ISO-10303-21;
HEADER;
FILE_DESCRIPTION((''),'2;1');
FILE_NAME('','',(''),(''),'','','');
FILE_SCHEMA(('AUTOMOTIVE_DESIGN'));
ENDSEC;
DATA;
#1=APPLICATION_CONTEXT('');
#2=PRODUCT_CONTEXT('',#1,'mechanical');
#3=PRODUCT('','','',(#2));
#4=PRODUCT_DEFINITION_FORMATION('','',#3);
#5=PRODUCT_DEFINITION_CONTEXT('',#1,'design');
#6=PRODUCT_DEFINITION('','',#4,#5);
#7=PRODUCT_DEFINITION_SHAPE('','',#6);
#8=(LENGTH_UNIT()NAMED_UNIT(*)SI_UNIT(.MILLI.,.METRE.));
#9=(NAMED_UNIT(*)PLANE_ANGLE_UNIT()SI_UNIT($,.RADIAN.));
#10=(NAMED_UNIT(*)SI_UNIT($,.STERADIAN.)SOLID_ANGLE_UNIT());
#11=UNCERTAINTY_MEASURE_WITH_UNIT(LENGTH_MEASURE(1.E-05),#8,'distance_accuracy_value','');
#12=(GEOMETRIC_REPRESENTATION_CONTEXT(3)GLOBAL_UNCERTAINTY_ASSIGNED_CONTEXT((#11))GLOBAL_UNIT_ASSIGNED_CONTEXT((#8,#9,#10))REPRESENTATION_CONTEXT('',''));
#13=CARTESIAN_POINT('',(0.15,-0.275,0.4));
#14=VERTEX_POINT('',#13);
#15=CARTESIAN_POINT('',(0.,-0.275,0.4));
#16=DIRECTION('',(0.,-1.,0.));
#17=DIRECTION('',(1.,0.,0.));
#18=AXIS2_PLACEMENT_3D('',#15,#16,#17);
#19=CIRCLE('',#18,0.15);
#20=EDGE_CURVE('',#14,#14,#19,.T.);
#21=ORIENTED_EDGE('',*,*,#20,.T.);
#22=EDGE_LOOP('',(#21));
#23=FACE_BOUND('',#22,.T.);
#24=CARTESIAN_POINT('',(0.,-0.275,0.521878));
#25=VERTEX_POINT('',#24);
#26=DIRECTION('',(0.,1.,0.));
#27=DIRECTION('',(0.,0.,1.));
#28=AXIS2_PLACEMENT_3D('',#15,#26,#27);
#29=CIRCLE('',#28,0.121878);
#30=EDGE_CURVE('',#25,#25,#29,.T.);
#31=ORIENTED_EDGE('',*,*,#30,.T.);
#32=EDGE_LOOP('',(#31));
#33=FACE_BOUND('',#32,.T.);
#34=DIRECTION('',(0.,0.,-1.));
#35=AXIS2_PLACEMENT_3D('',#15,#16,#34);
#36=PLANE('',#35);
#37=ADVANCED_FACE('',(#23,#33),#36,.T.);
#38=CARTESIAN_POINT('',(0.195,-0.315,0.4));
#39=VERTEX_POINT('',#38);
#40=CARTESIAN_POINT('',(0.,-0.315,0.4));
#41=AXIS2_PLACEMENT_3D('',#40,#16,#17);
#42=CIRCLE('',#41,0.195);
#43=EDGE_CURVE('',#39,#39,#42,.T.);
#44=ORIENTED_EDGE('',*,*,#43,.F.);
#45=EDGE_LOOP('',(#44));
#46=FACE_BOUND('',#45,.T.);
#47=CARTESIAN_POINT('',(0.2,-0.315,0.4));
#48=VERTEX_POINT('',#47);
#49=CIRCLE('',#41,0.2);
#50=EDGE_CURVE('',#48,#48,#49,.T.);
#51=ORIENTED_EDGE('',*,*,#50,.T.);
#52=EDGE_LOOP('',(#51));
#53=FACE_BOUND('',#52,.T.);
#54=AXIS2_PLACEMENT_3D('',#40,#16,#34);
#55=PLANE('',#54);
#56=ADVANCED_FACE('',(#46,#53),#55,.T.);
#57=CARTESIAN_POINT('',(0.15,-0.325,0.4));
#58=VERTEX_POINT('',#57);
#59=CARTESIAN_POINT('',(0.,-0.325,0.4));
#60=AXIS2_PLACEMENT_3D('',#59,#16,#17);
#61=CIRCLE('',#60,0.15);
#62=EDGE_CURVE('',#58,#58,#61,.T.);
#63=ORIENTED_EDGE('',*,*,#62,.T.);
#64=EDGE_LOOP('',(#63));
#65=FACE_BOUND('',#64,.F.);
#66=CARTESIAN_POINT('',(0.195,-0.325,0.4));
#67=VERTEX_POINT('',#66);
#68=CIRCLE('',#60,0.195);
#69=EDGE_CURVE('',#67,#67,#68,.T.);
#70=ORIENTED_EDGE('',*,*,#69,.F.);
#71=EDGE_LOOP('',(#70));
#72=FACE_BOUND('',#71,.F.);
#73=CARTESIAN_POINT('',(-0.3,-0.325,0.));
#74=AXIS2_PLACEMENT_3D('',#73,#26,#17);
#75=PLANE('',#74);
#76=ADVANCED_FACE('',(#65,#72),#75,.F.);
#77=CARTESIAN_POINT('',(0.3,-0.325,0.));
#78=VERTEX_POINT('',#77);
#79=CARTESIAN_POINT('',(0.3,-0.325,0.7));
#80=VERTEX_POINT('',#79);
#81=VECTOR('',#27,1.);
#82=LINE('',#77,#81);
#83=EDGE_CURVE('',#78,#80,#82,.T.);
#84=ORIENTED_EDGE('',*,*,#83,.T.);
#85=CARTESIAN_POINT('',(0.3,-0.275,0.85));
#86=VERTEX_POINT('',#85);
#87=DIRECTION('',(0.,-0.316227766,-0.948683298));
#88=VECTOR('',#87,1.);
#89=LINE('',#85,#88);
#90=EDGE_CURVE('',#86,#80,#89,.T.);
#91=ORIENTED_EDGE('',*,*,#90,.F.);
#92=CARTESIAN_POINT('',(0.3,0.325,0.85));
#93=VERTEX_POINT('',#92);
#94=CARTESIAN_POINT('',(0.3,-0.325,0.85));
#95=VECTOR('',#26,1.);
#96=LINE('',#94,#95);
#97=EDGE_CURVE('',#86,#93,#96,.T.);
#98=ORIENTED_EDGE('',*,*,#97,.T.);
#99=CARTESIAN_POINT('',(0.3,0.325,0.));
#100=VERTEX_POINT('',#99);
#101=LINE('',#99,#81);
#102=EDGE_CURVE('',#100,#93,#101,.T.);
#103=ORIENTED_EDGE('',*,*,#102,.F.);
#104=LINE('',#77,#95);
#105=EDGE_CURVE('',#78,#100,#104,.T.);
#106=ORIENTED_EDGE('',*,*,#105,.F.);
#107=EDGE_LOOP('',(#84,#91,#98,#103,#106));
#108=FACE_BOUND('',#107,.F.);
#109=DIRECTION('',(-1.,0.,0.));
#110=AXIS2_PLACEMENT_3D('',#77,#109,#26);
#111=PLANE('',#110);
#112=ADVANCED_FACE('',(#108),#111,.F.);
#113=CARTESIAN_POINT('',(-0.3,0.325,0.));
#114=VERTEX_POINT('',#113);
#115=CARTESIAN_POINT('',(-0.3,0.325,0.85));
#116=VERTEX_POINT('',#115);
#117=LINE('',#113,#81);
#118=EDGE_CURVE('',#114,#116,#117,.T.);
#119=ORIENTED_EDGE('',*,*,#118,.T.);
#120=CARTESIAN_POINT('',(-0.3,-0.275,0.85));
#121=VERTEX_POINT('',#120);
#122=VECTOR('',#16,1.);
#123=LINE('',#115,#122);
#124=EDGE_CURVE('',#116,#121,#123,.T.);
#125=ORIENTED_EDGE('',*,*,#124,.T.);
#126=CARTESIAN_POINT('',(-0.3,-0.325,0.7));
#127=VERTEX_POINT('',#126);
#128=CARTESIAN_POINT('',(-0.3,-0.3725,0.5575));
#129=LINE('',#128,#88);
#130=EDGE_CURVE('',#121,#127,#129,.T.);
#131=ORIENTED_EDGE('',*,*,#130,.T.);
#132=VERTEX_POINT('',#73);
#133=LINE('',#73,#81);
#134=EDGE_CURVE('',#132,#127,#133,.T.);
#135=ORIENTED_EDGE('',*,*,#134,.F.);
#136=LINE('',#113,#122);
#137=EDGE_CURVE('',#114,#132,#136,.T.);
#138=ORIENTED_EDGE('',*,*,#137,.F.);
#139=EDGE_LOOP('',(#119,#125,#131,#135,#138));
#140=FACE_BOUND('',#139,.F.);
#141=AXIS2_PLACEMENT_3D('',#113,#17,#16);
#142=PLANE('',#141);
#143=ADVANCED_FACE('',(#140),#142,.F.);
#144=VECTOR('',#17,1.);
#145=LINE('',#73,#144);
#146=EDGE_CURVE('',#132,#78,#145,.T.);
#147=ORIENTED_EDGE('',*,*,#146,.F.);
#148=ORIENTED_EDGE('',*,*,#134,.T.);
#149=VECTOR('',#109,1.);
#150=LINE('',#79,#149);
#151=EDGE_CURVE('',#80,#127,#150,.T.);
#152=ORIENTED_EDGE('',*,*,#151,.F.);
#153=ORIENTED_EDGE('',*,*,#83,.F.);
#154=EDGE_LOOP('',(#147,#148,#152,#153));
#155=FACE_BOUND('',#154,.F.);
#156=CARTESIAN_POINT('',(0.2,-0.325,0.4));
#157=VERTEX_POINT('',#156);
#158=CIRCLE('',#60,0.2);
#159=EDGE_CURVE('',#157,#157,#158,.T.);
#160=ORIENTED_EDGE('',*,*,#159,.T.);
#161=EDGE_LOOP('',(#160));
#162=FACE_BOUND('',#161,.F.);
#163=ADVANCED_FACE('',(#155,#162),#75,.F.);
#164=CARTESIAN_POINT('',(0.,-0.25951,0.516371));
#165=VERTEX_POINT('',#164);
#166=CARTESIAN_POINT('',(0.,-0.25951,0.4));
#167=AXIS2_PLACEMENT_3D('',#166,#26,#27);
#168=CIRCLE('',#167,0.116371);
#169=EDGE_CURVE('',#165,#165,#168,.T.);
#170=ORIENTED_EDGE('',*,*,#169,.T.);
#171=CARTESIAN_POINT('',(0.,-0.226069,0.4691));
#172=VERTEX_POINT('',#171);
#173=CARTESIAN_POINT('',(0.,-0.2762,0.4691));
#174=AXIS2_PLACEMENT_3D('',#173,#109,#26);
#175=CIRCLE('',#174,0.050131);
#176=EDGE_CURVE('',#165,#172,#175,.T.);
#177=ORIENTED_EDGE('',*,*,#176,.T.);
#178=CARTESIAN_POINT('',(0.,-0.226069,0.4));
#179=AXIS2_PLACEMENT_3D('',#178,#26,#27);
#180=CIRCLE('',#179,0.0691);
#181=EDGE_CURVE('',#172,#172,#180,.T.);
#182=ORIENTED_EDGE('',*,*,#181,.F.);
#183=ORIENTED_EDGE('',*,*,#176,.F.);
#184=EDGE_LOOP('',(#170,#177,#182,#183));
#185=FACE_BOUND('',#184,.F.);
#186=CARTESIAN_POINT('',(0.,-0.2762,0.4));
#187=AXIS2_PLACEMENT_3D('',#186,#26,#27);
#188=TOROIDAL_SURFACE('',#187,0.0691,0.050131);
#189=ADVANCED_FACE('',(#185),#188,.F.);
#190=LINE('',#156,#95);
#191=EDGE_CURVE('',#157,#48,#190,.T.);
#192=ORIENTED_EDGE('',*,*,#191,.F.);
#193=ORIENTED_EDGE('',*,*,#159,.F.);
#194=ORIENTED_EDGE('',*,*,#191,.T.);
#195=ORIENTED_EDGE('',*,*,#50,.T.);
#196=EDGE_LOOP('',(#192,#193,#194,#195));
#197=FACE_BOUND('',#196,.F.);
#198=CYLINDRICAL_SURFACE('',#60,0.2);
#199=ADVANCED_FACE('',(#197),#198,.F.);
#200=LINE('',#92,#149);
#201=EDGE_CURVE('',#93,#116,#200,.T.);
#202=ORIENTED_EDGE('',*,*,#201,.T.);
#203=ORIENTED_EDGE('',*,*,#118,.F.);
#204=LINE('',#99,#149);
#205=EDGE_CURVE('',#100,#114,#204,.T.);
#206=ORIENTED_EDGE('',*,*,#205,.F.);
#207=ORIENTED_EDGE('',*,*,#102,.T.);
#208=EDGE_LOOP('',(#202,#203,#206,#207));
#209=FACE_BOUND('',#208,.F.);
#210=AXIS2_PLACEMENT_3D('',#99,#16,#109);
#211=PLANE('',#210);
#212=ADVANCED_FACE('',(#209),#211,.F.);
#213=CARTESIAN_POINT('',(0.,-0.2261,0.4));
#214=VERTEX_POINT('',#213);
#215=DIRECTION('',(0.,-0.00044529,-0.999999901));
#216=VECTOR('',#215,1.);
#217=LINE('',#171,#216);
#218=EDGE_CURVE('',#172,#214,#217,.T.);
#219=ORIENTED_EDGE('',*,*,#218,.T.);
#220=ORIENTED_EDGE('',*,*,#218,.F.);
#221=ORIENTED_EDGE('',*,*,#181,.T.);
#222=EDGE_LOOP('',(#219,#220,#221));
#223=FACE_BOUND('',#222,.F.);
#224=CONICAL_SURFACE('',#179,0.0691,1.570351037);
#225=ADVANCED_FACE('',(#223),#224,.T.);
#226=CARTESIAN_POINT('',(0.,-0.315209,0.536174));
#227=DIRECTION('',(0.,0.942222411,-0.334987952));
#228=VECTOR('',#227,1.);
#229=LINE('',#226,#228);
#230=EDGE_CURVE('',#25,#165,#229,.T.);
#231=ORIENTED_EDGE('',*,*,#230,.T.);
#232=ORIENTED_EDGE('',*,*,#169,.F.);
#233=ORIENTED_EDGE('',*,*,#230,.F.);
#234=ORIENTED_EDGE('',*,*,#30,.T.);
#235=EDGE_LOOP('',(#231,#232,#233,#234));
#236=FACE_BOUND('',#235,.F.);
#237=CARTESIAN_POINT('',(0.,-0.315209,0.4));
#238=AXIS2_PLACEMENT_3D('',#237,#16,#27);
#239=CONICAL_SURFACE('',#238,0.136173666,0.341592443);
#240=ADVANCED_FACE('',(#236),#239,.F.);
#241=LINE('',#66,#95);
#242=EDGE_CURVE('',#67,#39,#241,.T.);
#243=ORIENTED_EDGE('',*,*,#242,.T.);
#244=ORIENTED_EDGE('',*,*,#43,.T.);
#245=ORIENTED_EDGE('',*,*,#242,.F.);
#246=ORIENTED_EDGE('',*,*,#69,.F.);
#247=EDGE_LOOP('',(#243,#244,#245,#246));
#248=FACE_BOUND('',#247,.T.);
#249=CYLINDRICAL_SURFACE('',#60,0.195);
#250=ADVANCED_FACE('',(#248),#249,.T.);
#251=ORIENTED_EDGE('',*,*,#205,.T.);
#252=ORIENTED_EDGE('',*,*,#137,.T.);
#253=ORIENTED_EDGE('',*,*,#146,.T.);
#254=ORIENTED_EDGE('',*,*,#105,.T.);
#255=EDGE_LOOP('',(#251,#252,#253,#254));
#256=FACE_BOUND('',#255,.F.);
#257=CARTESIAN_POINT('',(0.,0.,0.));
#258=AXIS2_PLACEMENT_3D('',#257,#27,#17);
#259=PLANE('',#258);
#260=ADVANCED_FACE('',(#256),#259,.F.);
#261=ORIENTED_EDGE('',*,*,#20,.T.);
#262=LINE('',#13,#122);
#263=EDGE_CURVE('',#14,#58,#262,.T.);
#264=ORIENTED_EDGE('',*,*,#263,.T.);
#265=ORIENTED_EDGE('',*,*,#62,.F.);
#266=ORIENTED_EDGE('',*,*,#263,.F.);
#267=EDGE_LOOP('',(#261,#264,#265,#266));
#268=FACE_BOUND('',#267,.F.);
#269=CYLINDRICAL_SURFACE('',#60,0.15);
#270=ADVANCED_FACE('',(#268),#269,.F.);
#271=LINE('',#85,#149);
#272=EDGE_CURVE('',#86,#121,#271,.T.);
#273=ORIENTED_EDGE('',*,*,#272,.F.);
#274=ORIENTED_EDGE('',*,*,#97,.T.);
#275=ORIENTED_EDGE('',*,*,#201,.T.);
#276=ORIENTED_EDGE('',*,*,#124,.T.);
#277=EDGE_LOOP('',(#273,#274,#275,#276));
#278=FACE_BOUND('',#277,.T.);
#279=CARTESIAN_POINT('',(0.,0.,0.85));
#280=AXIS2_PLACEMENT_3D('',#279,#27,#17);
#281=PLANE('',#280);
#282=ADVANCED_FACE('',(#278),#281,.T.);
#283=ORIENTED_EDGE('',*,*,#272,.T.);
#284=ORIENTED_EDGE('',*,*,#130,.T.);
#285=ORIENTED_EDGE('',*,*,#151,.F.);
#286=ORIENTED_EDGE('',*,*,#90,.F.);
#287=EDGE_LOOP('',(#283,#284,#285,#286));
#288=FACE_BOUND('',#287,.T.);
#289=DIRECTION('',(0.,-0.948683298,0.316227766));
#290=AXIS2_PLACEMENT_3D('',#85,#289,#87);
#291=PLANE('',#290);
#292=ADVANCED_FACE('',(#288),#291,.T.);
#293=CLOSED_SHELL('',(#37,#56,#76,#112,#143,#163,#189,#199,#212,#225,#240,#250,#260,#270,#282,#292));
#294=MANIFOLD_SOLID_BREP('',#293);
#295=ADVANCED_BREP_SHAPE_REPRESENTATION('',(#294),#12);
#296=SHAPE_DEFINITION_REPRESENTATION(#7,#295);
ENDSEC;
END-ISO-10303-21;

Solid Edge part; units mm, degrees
sketch "Sketch1" plane through (0, 0, 0) normal (0, 0, 1) x (1, 0, 0)
  line L0 (-0.3, -0.325) -> (0.3, -0.325)
  line L1 (0.3, -0.325) -> (0.3, 0.325)
  line L2 (0.3, 0.325) -> (-0.3, 0.325)
  line L3 (-0.3, 0.325) -> (-0.3, -0.325)
  dimension "D1" = 0.6
  dimension "D2" = 0.65
extrude "Protrusion1" add sketch "Sketch1" along normal blind 0.85
sketch "Sketch2" plane through (0, -0.325, 0.425) normal (0, -1, 0) x (1, 0, 0)
  circle A0 centre (0, -0.025) radius 0.195
  circle A1 centre (0, -0.025) radius 0.2
  dimension "D1" = 0.4
  dimension "D2" = 0.39
  dimension "D3" = 0.4
extrude "Ausschnitt_1" cut sketch "Sketch2" against normal blind 0.01
sketch "Sketch3" plane through (0, -0.325, 0.316) normal (0, -1, 0) x (1, 0, 0)
  circle A0 centre (0, 0.084) radius 0.15
  dimension "D1" = 0.3
extrude "Ausschnitt_2" cut sketch "Sketch3" against normal blind 0.05
sketch "Sketch4" plane through (0.3, 0, 0.425) normal (1, 0, 0) x (0, 1, 0)
  line L0 (-0.275, 0.425) -> (-0.325, 0.425)
  line L1 (-0.325, 0.425) -> (-0.325, 0.275)
  line L2 (-0.275, 0.425) -> (-0.325, 0.275)
  dimension "D1" = 0.05
  dimension "D2" = 0.15
extrude "Cutout1" cut sketch "Sketch4" against normal through all
sketch "Sketch5" plane through (0, 0, 0) normal (1, 0, 0) x (0, 1, 0)
  line L0 (-0.3152, 0.5362) -> (-0.2595, 0.5164)
  arc A0 (-0.2595, 0.5164) -> (-0.2261, 0.4691) centre (-0.2762, 0.4691) cw
  line L1 (-0.2261, 0.4691) -> (-0.2261, 0.4)
  line L2 (-0.2261, 0.4) -> (-0.325, 0.4)
  line L3 (-0.325, 0.4) -> (-0.325, 0.55)
  arc A1 (-0.3152, 0.5362) -> (-0.325, 0.55) centre (-0.3103, 0.55) cw
  dimension "D1" = 0.2261
  dimension "D2" = 0.325
revolve "RevolvedCutout1" cut sketch "Sketch5" angle 360 about axis through (0, -0.325, 0.4) along (0, 1, 0)
